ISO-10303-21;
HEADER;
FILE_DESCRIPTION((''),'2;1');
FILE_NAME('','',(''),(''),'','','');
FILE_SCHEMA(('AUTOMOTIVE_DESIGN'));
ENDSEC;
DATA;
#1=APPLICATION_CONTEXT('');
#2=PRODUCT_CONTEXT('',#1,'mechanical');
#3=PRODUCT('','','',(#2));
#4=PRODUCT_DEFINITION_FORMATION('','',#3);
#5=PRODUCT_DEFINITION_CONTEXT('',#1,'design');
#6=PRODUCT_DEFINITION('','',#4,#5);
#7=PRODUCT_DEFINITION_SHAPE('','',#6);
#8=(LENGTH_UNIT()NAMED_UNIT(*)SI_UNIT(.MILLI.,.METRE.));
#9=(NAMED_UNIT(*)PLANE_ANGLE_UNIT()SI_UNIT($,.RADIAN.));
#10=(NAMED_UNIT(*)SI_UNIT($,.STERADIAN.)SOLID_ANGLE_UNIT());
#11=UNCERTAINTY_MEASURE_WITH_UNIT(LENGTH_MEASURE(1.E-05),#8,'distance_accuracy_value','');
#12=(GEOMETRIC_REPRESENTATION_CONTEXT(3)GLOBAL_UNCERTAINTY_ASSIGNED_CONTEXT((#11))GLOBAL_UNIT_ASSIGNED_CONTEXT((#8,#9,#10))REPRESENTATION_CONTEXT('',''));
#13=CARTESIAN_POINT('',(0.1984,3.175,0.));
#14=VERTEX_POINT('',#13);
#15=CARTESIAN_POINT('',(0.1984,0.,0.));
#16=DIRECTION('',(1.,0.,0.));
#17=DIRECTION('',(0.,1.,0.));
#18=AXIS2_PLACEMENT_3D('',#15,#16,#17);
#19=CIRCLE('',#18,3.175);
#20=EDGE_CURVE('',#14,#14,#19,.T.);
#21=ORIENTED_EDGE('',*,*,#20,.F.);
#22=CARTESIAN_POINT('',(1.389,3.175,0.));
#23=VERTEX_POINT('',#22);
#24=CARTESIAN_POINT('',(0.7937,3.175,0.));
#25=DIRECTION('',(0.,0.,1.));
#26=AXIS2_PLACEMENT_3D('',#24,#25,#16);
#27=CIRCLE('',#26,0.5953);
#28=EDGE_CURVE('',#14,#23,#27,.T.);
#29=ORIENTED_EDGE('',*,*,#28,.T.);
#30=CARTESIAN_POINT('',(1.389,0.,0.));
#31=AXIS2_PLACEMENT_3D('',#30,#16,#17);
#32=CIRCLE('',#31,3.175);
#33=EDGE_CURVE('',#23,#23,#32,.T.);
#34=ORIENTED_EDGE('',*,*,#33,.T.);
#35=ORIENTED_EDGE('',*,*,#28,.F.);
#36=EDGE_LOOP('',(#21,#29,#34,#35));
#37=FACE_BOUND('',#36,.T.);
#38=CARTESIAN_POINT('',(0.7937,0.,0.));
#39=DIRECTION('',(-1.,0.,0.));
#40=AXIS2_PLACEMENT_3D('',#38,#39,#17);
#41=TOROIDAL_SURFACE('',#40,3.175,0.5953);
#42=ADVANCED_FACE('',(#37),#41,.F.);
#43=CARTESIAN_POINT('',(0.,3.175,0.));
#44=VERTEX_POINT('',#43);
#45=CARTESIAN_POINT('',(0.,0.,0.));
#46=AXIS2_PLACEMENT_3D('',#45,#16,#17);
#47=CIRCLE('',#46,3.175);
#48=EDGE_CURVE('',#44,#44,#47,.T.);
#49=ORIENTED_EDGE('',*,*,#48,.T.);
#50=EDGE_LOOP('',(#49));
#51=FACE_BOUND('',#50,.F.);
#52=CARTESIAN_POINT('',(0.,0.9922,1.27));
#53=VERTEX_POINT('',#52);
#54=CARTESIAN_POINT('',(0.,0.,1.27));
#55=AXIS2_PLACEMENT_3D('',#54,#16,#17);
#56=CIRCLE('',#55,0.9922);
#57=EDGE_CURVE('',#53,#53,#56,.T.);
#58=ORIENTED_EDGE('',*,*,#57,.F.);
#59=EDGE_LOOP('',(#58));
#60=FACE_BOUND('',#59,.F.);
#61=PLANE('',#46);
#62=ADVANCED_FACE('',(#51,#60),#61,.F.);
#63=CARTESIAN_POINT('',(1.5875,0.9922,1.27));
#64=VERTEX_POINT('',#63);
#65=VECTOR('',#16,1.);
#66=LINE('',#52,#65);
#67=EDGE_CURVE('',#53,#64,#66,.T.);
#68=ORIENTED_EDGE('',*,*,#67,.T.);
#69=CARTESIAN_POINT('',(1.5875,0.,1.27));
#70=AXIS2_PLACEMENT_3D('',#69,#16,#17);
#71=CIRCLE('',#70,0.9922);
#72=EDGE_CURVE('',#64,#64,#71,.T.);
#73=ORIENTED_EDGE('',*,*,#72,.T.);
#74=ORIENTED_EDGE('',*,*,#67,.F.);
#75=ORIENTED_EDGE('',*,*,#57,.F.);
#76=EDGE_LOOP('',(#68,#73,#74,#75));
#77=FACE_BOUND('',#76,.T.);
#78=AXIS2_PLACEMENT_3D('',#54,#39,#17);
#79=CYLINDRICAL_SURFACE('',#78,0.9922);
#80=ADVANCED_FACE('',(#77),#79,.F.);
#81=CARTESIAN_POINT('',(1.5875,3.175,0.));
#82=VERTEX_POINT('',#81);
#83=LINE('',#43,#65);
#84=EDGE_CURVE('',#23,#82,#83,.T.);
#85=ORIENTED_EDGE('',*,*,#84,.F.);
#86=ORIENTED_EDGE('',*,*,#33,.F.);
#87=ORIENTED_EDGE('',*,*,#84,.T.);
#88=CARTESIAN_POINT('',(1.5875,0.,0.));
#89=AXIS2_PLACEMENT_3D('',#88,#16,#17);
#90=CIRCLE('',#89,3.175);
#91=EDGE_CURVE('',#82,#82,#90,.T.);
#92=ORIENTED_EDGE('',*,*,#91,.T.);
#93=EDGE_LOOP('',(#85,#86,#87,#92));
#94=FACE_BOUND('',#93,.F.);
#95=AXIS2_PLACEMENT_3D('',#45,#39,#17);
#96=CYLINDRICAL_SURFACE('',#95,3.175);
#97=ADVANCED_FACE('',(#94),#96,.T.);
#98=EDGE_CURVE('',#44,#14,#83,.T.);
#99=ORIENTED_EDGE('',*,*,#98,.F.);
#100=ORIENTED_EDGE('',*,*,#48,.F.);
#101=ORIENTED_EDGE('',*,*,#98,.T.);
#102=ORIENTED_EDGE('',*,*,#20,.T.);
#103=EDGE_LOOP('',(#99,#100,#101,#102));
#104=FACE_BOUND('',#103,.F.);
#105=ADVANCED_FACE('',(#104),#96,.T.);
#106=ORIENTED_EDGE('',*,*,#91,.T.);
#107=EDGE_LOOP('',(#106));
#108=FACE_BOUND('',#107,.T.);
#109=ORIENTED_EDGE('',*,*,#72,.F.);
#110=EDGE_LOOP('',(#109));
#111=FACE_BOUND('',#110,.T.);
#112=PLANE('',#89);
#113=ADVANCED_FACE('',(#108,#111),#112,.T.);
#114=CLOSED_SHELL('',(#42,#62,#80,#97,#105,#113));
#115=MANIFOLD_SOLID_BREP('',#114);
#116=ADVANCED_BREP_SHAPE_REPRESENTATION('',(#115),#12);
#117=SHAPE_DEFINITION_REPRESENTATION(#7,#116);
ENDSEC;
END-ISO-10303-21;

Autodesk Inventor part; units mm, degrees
ref_plane "YZ Plane" through (0, 0, 0) normal (1, 0, 0) x (0, 1, 0)
ref_plane "XZ Plane" through (0, 0, 0) normal (0, 1, 0) x (-1, 0, 0)
ref_plane "XY Plane" through (0, 0, 0) normal (0, 0, 1) x (1, 0, 0)
sketch "Sketch1" plane through (0, 0, 0) normal (1, 0, 0) x (0, 1, 0)
  circle A0 centre (0, 0) radius 3.175
  circle A1 centre (0, 1.27) radius 0.9922
  line L0 (0, 0) -> (0, 1.27)
  dimension "d0" = 6.35
  dimension "d1" = 1.9844
  dimension "d2" = 1.27
extrude "Extrusion1" add sketch "Sketch1" along normal blind 1.5875
sketch "Sketch2" plane through (0, 0, 0) normal (0, 0, 1) x (1, 0, 0)
  line L0 (0, 3.175) -> (1.5875, 3.175) projected
  circle A0 centre (0.7937, 3.175) radius 0.5953
  line L1 (-0.3175, 0) -> (1.905, 0) projected
  point P0 (0, 0)
  dimension "d5" = 1.1906
revolve "Revolution1" cut sketch "Sketch2" angle 360 about axis through (-10, 0, 0) along (1, 0, 0)
properties part number "Eccentric"
